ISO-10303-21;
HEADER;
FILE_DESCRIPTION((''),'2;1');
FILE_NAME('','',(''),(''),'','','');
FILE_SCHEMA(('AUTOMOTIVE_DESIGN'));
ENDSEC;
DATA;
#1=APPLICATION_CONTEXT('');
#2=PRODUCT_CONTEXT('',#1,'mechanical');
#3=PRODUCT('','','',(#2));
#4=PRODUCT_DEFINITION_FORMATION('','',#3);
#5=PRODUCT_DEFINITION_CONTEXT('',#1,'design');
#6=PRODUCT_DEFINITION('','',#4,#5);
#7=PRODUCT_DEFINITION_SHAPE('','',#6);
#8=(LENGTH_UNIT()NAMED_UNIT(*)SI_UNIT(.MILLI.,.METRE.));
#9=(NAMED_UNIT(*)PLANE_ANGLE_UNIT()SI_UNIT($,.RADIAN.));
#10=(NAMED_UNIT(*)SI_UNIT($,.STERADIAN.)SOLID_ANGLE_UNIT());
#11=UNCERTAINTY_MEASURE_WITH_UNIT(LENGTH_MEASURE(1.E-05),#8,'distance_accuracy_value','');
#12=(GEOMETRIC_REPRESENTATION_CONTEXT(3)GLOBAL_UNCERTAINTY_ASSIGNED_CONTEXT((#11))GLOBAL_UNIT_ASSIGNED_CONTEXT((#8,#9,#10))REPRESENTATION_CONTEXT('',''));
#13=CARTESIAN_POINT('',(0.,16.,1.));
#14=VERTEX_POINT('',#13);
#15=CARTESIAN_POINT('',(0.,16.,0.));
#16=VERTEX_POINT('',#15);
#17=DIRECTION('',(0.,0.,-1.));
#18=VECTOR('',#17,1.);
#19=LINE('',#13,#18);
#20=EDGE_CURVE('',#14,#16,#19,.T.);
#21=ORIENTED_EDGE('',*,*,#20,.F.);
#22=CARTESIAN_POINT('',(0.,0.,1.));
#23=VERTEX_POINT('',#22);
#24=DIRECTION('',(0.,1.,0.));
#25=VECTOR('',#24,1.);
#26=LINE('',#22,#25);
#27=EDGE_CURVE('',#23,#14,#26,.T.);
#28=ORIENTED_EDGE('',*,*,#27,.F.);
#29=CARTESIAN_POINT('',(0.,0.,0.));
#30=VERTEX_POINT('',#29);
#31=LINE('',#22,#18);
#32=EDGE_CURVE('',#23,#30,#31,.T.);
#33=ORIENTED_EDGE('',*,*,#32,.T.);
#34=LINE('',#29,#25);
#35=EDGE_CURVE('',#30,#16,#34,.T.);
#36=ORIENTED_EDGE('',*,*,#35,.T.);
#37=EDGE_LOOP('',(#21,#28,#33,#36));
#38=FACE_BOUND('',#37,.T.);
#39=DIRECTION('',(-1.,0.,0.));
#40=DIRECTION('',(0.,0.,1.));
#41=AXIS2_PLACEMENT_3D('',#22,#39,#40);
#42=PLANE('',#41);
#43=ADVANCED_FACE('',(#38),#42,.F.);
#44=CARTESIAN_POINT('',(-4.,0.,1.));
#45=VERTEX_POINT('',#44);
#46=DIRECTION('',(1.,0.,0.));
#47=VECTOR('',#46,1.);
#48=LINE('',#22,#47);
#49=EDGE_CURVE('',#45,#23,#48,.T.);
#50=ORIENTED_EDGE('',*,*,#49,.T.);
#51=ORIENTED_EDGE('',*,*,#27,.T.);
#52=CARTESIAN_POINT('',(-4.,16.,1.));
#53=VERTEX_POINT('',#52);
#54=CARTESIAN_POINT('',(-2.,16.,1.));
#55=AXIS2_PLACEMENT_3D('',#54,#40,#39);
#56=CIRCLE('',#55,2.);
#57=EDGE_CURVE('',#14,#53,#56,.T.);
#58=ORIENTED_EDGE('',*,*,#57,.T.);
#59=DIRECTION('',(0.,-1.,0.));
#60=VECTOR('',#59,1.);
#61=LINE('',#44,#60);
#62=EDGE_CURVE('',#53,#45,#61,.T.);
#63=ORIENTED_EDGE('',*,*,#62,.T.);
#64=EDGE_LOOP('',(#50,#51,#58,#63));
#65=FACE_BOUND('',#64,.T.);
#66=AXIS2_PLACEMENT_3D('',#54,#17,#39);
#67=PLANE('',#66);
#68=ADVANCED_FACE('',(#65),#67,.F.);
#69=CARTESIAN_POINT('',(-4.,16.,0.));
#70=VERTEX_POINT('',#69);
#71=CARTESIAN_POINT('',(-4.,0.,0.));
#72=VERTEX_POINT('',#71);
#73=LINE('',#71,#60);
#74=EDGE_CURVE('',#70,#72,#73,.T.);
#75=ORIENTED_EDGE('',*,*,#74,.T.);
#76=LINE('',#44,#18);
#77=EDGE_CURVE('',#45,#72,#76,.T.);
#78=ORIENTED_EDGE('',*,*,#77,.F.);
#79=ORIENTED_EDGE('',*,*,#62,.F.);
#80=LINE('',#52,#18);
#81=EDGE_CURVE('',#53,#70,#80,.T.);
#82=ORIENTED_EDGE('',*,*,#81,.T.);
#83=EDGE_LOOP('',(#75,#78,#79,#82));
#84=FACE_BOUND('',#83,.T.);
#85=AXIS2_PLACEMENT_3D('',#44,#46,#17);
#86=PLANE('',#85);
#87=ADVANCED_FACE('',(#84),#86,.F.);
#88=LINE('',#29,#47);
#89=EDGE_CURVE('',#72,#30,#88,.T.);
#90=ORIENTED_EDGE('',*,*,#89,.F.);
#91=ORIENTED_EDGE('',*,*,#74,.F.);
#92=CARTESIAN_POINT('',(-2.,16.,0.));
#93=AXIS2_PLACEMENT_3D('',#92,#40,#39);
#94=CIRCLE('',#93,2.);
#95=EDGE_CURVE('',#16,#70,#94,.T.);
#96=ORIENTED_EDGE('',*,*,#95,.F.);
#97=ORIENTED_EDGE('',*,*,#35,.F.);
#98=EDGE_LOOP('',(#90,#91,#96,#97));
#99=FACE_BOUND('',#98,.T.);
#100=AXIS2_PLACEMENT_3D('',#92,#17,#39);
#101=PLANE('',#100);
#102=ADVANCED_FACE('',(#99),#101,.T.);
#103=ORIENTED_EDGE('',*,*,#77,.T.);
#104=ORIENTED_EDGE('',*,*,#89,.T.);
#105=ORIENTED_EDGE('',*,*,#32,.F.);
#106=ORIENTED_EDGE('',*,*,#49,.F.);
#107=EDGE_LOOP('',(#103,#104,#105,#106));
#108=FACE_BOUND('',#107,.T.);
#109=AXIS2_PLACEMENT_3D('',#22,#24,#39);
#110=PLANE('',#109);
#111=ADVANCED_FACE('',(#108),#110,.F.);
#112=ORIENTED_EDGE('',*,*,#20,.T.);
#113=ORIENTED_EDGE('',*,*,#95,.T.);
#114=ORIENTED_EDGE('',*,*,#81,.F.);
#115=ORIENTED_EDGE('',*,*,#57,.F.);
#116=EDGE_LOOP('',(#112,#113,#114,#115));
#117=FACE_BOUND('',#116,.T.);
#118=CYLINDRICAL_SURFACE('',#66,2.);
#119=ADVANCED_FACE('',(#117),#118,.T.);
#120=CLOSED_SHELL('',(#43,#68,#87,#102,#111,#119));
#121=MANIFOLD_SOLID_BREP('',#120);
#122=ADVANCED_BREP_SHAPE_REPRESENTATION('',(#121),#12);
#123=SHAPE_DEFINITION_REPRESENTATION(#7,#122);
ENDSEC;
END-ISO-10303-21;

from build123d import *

# Parameters (mm, degrees)
BOSS_EXTRUDE1_DEPTH = 1


with BuildPart() as part:
    # Sketch1 → Boss-Extrude1 (new body)
    with BuildSketch(Plane.XY):
        with BuildLine():
            Line((0, 0), (-4, 0))
            Line((-4, 0), (-4, 16))
            ThreePointArc((-4, 16), (-2, 18), (0, 16))
            Line((0, 16), (0, 0))
        make_face()
    extrude(amount=BOSS_EXTRUDE1_DEPTH)


solid = part.part
